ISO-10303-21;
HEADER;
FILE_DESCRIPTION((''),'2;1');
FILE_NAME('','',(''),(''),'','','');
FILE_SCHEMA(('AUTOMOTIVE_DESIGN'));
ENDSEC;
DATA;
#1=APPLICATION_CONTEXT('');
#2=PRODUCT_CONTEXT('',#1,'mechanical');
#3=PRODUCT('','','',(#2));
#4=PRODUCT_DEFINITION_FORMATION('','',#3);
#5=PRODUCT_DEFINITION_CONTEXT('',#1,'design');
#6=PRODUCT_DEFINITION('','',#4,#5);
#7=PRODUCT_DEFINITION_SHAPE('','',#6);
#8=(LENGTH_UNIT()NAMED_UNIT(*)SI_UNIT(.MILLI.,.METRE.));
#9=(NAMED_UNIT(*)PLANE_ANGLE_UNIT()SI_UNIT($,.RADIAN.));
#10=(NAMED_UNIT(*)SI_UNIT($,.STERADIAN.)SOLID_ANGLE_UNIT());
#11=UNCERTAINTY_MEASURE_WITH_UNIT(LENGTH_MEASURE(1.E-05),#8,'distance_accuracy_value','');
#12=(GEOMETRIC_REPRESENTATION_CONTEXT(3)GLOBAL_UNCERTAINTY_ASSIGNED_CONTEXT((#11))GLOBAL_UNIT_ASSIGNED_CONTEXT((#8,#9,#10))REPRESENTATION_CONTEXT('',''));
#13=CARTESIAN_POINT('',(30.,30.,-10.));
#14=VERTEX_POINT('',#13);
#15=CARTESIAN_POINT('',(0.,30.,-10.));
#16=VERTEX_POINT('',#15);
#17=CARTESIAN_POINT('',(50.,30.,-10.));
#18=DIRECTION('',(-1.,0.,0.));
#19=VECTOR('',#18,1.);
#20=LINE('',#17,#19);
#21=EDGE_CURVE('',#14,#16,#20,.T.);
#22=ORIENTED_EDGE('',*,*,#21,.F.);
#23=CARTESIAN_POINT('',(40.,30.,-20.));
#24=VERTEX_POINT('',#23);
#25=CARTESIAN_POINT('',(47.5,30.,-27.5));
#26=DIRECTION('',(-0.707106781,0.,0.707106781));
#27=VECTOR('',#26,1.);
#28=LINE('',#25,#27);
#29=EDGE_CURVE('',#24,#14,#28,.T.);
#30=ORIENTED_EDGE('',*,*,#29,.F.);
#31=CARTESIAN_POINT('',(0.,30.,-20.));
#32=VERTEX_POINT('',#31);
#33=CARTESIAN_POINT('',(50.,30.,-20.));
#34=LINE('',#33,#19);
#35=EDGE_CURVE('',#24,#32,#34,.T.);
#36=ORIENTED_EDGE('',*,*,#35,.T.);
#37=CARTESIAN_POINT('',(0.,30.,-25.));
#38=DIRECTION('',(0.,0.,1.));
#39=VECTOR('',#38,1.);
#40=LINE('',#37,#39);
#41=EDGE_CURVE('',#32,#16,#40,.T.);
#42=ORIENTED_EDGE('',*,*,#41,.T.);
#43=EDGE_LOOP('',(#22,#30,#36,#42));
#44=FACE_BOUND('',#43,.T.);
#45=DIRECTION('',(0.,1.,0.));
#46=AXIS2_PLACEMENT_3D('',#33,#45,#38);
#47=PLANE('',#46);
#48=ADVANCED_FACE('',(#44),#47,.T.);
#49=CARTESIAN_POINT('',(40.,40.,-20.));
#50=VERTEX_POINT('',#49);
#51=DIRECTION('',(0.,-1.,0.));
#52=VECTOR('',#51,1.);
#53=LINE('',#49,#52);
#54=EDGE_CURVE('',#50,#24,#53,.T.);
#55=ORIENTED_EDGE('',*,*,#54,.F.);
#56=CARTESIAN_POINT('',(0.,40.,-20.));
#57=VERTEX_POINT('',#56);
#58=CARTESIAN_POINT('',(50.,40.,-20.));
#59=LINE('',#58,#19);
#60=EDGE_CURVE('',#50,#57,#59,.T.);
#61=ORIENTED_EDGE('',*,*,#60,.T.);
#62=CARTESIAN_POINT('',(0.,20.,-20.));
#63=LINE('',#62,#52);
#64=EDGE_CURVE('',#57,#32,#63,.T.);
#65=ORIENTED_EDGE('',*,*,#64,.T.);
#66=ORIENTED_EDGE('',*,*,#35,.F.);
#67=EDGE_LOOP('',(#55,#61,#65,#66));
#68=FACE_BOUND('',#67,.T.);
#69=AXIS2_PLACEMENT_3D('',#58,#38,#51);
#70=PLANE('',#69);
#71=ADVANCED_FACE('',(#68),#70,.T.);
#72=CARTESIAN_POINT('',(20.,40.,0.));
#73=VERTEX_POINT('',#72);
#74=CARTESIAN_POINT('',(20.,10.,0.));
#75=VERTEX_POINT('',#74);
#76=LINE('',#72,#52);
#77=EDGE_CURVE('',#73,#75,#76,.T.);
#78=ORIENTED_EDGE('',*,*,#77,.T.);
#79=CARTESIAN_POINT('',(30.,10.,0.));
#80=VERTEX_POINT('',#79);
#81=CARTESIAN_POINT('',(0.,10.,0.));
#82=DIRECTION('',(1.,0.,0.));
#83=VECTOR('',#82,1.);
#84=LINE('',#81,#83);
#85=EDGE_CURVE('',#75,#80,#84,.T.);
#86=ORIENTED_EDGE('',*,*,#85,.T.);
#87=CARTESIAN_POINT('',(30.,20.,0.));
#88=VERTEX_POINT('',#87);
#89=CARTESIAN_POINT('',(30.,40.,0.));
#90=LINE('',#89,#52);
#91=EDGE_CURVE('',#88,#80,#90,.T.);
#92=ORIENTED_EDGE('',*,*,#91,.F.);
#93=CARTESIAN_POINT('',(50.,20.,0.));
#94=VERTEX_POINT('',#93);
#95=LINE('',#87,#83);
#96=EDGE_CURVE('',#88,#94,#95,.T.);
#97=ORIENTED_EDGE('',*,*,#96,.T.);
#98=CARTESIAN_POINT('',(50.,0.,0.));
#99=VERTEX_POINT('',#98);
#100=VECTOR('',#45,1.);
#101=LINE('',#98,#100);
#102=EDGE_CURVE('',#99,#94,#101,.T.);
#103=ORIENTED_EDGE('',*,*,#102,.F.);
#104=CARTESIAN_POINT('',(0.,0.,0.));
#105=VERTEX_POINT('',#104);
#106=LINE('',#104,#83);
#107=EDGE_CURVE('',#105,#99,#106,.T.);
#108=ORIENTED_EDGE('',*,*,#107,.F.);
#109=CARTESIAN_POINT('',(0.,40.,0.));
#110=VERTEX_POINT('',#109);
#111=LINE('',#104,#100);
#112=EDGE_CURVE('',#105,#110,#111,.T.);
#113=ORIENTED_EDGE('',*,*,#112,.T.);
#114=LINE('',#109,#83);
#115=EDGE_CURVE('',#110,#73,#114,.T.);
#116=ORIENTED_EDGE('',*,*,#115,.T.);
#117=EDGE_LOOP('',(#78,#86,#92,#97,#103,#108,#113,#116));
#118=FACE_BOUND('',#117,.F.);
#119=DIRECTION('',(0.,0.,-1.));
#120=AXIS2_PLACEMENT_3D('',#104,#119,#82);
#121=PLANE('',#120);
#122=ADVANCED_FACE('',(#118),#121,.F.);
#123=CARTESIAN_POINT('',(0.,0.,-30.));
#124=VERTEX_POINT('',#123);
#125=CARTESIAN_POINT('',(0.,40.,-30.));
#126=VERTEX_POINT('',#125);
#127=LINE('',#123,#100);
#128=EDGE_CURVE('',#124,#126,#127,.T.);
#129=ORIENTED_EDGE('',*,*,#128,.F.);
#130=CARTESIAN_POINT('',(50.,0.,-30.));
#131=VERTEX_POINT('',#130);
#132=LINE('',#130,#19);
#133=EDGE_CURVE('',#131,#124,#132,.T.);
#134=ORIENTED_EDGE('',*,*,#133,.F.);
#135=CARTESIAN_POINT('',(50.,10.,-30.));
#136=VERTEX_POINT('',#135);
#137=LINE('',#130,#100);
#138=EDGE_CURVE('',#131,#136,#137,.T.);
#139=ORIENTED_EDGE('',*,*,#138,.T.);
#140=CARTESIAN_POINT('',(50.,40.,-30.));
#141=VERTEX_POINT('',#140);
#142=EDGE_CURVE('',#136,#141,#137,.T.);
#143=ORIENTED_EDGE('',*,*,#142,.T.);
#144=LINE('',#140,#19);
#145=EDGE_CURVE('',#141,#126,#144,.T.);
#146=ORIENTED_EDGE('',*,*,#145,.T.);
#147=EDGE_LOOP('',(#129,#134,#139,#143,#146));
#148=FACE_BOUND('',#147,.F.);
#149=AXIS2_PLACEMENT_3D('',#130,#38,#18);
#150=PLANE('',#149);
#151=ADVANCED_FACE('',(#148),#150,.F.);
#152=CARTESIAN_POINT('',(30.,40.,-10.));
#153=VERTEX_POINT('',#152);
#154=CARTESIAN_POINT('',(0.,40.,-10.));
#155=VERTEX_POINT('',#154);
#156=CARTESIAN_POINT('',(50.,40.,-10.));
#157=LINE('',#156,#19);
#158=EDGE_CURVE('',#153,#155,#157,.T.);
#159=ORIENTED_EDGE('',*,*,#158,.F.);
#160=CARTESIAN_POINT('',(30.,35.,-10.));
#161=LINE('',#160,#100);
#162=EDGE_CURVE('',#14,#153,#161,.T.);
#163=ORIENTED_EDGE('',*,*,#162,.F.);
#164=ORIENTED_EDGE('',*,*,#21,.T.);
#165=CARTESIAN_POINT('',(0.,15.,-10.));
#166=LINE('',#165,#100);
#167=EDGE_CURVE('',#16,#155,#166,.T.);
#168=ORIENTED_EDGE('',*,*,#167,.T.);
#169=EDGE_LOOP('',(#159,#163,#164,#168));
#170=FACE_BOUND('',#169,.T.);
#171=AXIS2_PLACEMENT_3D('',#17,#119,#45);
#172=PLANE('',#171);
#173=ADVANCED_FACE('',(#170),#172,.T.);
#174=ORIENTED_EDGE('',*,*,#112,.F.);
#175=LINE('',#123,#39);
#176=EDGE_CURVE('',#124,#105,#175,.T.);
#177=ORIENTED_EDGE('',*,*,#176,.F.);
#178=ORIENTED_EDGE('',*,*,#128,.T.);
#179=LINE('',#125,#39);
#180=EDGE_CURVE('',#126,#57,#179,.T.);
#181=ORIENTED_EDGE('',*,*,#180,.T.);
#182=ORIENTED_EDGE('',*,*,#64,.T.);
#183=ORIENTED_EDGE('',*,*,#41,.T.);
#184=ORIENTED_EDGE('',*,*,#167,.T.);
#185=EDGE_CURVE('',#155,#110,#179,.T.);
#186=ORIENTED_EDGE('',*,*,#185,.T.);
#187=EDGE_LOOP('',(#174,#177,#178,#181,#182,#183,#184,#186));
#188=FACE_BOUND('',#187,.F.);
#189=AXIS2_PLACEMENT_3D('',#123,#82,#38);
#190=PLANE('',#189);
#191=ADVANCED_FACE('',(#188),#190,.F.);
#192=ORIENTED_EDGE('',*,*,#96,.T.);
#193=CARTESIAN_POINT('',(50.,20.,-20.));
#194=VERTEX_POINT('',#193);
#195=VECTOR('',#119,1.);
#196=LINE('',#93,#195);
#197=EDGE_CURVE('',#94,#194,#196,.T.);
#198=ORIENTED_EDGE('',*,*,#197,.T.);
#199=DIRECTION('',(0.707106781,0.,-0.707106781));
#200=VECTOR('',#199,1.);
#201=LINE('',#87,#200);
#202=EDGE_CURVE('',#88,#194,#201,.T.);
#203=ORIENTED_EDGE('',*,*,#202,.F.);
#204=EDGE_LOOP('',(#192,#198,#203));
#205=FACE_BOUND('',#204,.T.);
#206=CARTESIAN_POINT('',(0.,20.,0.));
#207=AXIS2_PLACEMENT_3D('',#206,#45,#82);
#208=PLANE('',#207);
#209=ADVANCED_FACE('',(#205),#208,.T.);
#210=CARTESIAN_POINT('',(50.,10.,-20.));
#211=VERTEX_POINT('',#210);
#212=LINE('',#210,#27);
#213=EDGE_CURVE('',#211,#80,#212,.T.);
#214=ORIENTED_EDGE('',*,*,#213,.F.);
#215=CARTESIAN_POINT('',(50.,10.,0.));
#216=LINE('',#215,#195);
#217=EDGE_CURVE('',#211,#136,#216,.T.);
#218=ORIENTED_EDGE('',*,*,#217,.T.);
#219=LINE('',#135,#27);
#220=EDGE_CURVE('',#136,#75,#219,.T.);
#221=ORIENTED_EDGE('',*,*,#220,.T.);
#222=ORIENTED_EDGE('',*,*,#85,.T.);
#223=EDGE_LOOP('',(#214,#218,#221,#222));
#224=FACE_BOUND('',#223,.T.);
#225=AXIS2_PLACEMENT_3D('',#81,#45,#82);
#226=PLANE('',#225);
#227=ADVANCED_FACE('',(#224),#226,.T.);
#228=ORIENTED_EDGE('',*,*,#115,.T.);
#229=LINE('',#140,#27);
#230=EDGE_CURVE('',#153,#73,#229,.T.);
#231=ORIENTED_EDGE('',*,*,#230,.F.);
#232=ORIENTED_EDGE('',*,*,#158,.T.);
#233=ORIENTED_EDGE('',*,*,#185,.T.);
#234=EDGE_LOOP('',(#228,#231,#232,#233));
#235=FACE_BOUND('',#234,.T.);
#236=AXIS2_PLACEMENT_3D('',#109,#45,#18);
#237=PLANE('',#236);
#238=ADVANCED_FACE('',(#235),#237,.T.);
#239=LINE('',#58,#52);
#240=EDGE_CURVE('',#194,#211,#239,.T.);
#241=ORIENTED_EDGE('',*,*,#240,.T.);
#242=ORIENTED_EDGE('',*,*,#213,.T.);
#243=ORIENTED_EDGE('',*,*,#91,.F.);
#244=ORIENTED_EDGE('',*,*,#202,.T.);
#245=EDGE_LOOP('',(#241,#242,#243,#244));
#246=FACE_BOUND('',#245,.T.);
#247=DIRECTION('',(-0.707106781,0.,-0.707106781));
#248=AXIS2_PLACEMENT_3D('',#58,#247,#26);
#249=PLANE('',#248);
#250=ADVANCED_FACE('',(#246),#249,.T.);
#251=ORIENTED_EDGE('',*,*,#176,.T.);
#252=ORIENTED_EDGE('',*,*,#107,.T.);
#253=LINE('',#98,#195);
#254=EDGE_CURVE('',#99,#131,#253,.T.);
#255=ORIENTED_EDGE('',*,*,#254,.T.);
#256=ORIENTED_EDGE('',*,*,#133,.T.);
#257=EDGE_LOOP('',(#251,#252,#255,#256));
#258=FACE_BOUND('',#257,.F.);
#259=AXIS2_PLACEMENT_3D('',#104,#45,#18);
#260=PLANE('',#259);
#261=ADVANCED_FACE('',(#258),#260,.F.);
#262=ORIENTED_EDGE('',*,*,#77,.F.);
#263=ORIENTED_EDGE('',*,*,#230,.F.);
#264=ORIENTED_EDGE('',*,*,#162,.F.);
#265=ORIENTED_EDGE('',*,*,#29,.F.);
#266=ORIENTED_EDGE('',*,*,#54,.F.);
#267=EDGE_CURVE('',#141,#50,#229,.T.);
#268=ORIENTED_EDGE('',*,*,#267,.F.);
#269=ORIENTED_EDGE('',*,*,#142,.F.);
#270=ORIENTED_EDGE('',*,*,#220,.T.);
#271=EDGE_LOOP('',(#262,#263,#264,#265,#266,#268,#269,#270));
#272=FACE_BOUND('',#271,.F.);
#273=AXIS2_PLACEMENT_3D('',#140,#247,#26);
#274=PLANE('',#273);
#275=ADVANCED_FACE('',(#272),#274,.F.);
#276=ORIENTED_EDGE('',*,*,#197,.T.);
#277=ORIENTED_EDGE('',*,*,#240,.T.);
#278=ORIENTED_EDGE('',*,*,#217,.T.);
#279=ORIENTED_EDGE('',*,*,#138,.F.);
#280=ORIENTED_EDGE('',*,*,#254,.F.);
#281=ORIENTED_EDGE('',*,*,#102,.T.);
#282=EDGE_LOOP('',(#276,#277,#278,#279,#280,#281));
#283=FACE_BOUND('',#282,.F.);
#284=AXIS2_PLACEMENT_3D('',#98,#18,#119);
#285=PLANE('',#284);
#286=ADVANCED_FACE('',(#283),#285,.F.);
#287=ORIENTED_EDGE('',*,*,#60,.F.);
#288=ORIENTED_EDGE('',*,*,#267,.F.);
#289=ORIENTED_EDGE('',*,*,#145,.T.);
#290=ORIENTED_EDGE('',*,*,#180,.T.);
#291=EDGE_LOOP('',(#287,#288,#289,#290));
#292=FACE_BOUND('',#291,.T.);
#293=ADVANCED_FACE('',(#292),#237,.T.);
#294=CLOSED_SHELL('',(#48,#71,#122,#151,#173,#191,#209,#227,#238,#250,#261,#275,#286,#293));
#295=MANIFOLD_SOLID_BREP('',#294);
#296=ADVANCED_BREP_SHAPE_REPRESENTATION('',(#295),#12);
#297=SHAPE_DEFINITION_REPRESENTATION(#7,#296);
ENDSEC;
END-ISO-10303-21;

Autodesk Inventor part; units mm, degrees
ref_plane "YZ Plane" through (0, 0, 0) normal (1, 0, 0) x (0, 1, 0)
ref_plane "XZ Plane" through (0, 0, 0) normal (0, 1, 0) x (-1, 0, 0)
ref_plane "XY Plane" through (0, 0, 0) normal (0, 0, 1) x (1, 0, 0)
sketch "草圖1" plane through (0, 0, 0) normal (0, 1, 0) x (-1, 0, 0)
  line L0 (0, 0) -> (-50, 0)
  line L1 (-50, 0) -> (-50, -30)
  line L2 (-50, -30) -> (0, -30)
  line L3 (0, -30) -> (0, 0)
  dimension "d0" = 30
  dimension "d1" = 50
extrude "擠出1" add sketch "草圖1" along normal blind 40
sketch "草圖2" plane through (50, 0, 0) normal (1, 0, 0) x (0, 0, -1)
  line L0 (0, 40) -> (30, 40) projected
  line L1 (10, 40) -> (20, 40)
  line L2 (20, 40) -> (20, 30)
  line L3 (20, 30) -> (10, 30)
  line L4 (10, 30) -> (10, 40)
  point P0 (0, 0)
  dimension "d4" = 10
  dimension "d5" = 10
  dimension "d6" = 10
extrude "擠出2" cut sketch "草圖2" against normal through all
sketch "草圖3" plane through (0, 40, 0) normal (0, 1, 0) x (1, 0, 0)
  line L0 (50, 0) -> (50, 30) projected
  line L1 (50, 30) -> (20, 0)
  line L2 (0, 0) -> (50, 0) projected
  line L3 (50, 20) -> (30, 0)
  line L4 (20, 0) -> (30, 0)
  line L5 (50, 30) -> (50, 20)
  dimension "d9" = 10
  dimension "d10" = 135
extrude "擠出3" cut sketch "草圖3" against normal blind 30 contours L3 L2 L1 L0
sketch "草圖4" plane through (0, 40, 0) normal (0, 1, 0) x (1, 0, 0)
  line L0 (40, 10) -> (30, 0) projected
  line L1 (30, 0) -> (50, 0) projected
  line L2 (50, 0) -> (50, 10) projected
  line L3 (50, 10) -> (40, 10) projected
  line L4 (50, 20) -> (40, 10) projected
  line L5 (50, 10) -> (40, 10) projected
  line L6 (50, 20) -> (50, 10) projected
  point P0 (0, 0)
extrude "擠出4" cut sketch "草圖4" against normal blind 20
properties part number "17"
